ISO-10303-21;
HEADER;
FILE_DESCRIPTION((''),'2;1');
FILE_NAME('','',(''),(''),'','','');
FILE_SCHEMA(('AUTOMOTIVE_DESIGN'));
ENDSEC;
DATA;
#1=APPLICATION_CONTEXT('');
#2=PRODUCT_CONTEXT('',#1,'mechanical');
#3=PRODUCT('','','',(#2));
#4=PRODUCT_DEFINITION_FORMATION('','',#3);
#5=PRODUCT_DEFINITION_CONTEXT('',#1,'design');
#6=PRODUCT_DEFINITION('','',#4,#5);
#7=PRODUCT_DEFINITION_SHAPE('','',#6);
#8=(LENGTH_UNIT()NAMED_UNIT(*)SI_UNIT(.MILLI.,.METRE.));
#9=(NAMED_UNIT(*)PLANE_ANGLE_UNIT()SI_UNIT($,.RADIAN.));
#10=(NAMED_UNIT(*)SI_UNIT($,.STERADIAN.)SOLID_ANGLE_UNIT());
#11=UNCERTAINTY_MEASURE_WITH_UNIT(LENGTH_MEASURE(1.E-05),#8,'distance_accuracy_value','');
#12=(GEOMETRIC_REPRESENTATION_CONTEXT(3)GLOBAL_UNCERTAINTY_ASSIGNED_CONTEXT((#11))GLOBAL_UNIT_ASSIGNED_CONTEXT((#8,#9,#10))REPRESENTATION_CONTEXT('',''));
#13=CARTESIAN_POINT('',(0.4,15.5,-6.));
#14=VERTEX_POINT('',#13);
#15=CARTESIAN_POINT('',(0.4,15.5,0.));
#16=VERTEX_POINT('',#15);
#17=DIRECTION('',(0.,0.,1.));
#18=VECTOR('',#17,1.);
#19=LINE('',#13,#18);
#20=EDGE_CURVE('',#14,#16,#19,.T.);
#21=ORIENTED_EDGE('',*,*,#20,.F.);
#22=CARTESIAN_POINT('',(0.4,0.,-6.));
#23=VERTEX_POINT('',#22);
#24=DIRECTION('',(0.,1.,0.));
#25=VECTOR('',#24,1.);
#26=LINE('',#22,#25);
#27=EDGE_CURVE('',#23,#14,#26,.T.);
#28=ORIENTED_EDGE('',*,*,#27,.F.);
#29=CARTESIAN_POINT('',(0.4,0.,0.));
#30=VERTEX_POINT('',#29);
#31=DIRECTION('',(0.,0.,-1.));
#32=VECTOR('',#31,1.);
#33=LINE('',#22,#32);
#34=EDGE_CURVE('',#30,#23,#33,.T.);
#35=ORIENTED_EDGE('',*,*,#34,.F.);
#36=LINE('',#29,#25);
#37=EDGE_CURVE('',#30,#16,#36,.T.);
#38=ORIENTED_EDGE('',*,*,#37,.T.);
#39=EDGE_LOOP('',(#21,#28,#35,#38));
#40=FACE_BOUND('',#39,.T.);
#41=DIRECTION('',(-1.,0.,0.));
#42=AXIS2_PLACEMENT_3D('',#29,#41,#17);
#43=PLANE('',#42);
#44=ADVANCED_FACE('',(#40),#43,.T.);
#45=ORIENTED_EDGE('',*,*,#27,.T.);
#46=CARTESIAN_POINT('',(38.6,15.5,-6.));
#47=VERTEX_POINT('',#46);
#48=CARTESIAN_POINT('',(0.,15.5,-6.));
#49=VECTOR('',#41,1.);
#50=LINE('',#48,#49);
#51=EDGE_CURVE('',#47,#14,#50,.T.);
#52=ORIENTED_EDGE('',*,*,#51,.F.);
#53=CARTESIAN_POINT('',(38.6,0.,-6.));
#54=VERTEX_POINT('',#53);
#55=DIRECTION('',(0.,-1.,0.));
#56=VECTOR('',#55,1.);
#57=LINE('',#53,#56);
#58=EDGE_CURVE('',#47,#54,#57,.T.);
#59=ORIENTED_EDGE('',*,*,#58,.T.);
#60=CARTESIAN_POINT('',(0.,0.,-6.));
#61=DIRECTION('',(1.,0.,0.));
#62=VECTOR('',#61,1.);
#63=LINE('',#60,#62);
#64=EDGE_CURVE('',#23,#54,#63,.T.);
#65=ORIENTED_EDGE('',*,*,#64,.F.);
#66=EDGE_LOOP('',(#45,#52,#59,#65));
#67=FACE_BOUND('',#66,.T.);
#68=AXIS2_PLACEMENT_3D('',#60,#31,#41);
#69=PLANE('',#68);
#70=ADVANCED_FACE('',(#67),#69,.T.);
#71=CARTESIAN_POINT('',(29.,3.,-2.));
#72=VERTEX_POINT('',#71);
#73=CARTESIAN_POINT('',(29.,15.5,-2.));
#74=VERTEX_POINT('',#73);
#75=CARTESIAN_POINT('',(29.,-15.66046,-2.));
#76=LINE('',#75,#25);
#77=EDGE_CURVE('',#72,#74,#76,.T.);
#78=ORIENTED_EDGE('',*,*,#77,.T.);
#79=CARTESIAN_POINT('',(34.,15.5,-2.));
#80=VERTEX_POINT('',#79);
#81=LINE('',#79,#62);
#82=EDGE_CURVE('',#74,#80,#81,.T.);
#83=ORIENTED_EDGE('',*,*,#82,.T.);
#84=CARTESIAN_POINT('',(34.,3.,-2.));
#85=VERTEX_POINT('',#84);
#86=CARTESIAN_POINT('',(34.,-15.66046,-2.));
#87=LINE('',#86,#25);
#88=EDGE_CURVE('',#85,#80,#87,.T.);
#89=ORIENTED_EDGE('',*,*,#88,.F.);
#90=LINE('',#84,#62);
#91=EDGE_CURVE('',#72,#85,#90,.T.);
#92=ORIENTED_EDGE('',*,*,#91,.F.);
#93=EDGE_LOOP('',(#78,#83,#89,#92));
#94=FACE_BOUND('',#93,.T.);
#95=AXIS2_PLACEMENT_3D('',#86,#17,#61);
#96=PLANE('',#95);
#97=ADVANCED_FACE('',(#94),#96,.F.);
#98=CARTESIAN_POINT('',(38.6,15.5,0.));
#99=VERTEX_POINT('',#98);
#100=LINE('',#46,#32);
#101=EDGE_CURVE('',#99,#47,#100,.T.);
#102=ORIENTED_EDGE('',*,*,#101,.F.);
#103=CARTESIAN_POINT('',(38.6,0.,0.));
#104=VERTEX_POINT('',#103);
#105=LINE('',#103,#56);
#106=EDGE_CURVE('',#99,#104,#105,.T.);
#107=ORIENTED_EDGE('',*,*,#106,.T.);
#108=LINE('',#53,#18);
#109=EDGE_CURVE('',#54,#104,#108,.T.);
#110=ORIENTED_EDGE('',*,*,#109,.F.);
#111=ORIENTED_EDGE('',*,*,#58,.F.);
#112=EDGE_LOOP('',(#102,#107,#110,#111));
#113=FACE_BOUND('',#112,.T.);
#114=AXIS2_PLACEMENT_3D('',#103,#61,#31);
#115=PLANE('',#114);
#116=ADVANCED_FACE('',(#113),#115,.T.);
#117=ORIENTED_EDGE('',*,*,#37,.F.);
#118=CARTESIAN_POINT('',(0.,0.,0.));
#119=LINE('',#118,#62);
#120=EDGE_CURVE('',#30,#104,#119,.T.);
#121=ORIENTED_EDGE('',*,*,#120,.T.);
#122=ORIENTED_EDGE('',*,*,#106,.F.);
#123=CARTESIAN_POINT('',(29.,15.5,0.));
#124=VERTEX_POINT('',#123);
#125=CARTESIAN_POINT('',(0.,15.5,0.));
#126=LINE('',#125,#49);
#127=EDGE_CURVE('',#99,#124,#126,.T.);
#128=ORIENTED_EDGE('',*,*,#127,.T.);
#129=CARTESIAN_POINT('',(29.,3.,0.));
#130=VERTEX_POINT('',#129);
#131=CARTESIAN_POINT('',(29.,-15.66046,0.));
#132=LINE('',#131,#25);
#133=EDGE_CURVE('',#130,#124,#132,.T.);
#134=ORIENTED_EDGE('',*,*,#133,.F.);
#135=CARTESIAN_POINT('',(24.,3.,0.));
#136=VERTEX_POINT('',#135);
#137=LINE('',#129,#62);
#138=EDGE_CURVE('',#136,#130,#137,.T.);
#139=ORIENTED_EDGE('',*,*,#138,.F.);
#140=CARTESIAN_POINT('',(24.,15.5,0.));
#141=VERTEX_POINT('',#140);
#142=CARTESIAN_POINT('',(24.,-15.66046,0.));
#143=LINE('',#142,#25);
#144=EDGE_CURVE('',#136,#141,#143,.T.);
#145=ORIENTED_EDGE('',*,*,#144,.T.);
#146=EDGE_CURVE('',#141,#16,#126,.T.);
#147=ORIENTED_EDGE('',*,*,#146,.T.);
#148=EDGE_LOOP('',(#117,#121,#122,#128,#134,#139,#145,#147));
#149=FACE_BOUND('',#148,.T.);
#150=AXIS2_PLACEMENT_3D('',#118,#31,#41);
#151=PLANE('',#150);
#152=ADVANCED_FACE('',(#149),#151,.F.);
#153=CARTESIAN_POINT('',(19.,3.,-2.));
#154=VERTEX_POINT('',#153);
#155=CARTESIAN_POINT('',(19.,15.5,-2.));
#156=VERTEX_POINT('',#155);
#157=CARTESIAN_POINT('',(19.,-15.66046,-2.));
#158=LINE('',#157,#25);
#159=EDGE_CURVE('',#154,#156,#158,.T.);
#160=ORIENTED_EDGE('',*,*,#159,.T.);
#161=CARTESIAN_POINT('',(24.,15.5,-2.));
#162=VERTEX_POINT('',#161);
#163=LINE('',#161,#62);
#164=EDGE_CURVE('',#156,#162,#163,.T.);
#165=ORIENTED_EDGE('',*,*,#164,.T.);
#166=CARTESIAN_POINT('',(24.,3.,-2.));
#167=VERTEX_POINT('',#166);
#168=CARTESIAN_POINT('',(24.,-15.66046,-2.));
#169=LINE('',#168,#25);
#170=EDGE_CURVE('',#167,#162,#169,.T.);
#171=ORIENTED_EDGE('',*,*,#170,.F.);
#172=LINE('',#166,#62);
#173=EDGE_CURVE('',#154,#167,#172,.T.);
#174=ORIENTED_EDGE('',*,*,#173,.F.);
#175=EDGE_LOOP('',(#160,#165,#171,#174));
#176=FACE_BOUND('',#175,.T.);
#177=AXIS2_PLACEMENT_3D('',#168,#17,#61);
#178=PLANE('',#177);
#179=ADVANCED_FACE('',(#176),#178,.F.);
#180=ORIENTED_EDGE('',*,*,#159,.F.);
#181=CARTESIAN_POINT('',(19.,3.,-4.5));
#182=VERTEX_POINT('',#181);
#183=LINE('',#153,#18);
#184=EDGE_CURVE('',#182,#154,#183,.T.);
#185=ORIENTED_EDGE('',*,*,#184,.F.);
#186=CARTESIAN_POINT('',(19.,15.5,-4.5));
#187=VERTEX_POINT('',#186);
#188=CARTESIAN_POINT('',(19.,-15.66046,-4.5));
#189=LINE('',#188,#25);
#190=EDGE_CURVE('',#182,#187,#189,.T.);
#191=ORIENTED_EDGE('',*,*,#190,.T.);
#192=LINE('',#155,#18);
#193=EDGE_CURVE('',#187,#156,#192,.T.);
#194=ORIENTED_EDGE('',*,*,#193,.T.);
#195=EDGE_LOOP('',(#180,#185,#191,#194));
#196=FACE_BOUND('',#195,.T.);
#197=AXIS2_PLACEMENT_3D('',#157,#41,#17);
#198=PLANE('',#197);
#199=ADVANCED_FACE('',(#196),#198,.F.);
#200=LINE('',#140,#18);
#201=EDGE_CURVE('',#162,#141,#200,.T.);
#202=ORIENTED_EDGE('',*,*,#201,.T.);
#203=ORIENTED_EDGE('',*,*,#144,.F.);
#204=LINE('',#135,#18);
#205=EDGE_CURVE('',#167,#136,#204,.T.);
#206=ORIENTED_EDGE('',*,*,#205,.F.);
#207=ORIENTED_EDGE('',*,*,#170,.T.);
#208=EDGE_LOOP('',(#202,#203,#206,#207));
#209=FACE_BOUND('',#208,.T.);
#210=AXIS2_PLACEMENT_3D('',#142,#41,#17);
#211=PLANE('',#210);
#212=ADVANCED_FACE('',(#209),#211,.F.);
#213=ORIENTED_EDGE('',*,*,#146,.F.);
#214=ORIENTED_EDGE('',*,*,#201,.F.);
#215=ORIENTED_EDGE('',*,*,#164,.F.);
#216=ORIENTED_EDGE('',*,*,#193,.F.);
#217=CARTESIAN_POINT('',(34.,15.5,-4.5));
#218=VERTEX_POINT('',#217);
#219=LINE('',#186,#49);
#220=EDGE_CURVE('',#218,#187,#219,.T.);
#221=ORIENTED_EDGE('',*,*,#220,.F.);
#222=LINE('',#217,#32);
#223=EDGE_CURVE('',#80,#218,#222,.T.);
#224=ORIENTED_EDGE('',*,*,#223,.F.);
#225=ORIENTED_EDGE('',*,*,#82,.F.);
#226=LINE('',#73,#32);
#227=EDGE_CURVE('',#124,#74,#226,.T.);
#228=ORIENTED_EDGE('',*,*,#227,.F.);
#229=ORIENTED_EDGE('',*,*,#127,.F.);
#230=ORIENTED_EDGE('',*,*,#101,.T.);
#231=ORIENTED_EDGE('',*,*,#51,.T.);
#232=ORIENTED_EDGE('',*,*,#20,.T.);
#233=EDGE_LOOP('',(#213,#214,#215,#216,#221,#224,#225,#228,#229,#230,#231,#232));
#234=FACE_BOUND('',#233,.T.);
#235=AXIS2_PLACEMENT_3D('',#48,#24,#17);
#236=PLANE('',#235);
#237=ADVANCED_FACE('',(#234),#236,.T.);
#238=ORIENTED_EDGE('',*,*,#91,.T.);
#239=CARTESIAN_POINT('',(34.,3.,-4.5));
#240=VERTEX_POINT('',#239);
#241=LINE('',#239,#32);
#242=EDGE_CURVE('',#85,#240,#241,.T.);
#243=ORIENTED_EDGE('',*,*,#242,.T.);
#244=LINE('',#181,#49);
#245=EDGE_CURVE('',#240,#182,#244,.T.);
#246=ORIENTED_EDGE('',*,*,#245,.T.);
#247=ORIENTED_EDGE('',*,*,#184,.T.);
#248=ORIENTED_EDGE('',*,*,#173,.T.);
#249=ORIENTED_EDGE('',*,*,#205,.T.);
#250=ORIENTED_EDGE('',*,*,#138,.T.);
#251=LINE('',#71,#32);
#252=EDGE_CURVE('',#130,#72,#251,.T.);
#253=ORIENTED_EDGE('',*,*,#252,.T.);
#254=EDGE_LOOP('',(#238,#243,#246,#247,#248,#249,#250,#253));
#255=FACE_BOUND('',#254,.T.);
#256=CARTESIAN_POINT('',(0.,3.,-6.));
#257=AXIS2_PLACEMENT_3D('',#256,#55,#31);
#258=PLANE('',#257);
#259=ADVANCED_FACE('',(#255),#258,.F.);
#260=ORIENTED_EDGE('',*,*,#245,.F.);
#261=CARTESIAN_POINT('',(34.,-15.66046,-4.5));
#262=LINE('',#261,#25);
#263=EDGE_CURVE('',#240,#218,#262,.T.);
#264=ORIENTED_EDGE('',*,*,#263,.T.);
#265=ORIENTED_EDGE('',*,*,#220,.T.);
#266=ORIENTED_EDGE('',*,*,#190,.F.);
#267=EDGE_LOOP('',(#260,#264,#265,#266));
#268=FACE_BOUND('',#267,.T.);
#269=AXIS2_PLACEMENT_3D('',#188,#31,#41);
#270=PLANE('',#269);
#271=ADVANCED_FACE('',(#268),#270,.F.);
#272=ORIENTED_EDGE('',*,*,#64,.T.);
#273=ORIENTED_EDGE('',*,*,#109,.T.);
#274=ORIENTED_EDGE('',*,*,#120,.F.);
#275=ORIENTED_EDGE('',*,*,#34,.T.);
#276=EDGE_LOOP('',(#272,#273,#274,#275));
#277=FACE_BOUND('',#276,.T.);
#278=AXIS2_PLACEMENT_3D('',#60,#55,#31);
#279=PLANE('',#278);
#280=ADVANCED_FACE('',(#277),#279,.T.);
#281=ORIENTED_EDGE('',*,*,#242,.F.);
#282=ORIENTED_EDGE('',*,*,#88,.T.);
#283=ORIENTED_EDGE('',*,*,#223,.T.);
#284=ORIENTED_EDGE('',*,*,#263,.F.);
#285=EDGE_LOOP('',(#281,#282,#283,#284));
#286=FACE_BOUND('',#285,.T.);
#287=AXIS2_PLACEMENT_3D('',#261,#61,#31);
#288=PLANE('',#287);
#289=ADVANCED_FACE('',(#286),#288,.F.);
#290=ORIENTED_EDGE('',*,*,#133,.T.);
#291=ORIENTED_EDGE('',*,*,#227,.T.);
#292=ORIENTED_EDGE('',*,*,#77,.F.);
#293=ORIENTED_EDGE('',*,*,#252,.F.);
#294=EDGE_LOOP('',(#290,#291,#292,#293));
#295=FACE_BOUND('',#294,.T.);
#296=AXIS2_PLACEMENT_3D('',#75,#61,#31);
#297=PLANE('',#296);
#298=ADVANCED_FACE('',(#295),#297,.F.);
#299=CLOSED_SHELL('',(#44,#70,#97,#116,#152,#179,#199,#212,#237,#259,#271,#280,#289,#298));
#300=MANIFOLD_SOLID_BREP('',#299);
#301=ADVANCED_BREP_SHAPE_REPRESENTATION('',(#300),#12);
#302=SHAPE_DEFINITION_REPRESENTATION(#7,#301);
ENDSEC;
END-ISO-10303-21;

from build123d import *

# Parameters (mm, degrees)
SKETCH2_W           = 39
SKETCH2_H           = 15.5
BOSS_EXTRUDE1_DEPTH = 6
CUT_EXTRUDE1_DEPTH  = 12.5
SKETCH4_W           = 20.319843286
SKETCH4_H           = 28.236665345
CUT_EXTRUDE2_DEPTH  = 0.4
SKETCH5_W           = 11.083550883
SKETCH5_H           = 22.584934042
CUT_EXTRUDE3_DEPTH  = 0.4


with BuildPart() as part:
    # Sketch2 → Boss-Extrude1 (new body)
    with BuildSketch(Plane.XY):
        with Locations((19.5, 7.75)):
            Rectangle(SKETCH2_W, SKETCH2_H)
    extrude(amount=-BOSS_EXTRUDE1_DEPTH)

    # Sketch3 → Cut-Extrude1 (cut)
    with BuildSketch(Plane(origin=(0, 15.5, 0), x_dir=(1, 0, 0), z_dir=(0, 1, 0))):
        Polygon((24, 0), (24, 2), (19, 2), (19, 4.5), (34, 4.5), (34, 2), (29, 2), (29, 0), align=None)
    extrude(amount=-CUT_EXTRUDE1_DEPTH, mode=Mode.SUBTRACT)

    # Sketch4 → Cut-Extrude2 (cut)
    with BuildSketch(Plane(origin=(39, 0, 0), x_dir=(0, 0, -1), z_dir=(1, 0, 0))):
        with Locations((6.654932851, 5.177032831)):
            Rectangle(SKETCH4_W, SKETCH4_H)
    extrude(amount=-CUT_EXTRUDE2_DEPTH, mode=Mode.SUBTRACT)

    # Sketch5 → Cut-Extrude3 (cut)
    with BuildSketch(Plane.ZY):
        with Locations((-2.571172138, 7.134247173)):
            Rectangle(SKETCH5_W, SKETCH5_H)
    extrude(amount=-CUT_EXTRUDE3_DEPTH, mode=Mode.SUBTRACT)


solid = part.part
